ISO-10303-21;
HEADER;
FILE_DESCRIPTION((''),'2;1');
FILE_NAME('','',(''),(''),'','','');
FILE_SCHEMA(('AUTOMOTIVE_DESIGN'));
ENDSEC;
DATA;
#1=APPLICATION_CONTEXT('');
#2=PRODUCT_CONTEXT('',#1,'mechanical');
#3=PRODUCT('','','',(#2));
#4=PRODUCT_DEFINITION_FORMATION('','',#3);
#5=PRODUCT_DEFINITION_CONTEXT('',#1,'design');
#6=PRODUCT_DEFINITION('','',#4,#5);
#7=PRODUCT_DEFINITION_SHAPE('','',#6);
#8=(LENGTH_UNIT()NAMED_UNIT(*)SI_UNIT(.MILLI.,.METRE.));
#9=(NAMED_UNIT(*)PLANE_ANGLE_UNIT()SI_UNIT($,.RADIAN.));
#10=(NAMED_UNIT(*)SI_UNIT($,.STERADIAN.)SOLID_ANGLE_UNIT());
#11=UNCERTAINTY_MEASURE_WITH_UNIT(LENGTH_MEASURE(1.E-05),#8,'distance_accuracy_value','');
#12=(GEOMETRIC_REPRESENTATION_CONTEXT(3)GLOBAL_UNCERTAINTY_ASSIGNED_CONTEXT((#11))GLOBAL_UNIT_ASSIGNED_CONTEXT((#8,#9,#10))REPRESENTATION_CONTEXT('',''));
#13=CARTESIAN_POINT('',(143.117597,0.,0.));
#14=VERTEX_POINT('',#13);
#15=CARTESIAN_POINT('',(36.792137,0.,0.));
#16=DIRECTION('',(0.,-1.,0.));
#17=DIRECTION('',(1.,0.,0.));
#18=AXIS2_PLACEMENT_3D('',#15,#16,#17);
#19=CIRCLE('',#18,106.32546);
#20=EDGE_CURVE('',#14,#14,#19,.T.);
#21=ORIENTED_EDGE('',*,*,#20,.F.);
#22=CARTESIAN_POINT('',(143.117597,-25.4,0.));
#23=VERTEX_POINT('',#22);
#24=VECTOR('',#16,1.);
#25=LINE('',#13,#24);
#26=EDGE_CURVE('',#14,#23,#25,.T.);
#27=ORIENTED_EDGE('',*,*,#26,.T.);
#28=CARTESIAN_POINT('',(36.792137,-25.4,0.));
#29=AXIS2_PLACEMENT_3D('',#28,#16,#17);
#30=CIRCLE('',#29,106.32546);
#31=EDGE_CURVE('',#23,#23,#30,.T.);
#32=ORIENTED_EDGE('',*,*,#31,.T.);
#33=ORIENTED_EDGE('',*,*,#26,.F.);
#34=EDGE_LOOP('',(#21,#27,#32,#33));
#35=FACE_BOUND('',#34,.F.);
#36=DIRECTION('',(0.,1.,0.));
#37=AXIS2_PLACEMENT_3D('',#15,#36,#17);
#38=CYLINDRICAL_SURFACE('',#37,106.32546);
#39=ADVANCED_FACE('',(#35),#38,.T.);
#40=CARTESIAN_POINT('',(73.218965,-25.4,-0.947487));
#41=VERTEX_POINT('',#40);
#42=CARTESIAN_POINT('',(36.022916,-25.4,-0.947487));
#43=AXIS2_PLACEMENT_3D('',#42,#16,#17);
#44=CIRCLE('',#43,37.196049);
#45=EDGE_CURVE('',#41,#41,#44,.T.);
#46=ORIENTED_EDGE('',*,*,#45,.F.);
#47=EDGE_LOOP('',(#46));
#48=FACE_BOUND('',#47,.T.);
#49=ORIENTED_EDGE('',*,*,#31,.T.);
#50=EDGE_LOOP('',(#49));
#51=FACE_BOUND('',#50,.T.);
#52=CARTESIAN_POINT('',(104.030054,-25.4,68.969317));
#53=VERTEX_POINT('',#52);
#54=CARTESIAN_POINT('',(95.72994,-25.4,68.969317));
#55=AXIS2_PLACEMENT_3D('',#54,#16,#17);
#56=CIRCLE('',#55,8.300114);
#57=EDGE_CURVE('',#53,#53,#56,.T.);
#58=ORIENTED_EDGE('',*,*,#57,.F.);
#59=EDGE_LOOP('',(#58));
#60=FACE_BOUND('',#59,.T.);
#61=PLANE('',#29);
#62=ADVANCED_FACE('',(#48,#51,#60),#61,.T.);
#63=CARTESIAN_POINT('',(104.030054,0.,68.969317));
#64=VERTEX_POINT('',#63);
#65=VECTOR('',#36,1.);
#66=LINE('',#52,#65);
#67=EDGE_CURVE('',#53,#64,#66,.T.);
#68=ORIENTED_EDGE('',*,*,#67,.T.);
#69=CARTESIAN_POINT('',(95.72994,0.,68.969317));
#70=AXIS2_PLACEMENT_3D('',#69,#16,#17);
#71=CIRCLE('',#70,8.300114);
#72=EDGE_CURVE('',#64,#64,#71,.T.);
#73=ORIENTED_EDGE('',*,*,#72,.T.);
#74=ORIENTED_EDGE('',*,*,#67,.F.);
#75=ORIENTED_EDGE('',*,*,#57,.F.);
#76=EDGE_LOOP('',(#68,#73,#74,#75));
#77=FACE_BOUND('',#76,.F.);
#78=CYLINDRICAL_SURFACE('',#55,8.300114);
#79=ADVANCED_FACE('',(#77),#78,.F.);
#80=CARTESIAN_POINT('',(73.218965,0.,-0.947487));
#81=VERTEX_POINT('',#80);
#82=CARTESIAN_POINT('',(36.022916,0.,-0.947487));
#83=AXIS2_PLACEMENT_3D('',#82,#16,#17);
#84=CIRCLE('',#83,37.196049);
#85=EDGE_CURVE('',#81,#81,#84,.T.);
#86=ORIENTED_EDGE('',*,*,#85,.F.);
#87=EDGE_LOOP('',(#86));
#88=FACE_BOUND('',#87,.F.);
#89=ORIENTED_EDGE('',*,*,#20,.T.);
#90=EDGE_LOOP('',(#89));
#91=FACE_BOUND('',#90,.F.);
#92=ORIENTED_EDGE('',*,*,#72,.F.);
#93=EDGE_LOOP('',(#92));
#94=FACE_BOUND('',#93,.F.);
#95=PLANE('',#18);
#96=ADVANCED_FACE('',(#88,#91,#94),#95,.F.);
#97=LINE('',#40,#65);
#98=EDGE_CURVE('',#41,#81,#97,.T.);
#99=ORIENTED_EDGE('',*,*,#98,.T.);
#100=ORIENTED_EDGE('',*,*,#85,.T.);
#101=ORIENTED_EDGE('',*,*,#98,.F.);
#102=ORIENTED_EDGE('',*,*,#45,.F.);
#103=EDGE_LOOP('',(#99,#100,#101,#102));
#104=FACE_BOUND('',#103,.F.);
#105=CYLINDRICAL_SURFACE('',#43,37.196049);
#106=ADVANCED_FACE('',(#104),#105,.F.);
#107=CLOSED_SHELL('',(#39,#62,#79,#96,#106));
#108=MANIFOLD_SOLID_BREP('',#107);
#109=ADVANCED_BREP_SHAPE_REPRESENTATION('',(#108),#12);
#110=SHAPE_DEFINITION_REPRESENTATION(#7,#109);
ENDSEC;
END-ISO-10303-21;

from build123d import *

# Parameters (mm, degrees)
F0_R     = 106.32546
F1_DEPTH = 25.4
F3_R     = 37.196049
F4_DEPTH = 25.401
F5_R     = 8.300114
F6_DEPTH = 25.4


with BuildPart() as f1:
    # F0 (on Front) → F1 (new body)
    with BuildSketch(Plane.XZ):
        with Locations((36.792137, 0)):
            Circle(F0_R)
    extrude(amount=F1_DEPTH)

    # F3 (on face) → F4 (cut, through all)
    with BuildSketch(Plane.XZ.offset(25.4)):
        with Locations((36.022916, -0.947487)):
            Circle(F3_R)
    extrude(amount=-F4_DEPTH, mode=Mode.SUBTRACT)

    # F5 (on face) → F6 (cut)
    with BuildSketch(Plane.XZ.offset(25.4)):
        with Locations((95.72994, 68.969317)):
            Circle(F5_R)
    extrude(amount=-F6_DEPTH, mode=Mode.SUBTRACT)


solid = f1.part
